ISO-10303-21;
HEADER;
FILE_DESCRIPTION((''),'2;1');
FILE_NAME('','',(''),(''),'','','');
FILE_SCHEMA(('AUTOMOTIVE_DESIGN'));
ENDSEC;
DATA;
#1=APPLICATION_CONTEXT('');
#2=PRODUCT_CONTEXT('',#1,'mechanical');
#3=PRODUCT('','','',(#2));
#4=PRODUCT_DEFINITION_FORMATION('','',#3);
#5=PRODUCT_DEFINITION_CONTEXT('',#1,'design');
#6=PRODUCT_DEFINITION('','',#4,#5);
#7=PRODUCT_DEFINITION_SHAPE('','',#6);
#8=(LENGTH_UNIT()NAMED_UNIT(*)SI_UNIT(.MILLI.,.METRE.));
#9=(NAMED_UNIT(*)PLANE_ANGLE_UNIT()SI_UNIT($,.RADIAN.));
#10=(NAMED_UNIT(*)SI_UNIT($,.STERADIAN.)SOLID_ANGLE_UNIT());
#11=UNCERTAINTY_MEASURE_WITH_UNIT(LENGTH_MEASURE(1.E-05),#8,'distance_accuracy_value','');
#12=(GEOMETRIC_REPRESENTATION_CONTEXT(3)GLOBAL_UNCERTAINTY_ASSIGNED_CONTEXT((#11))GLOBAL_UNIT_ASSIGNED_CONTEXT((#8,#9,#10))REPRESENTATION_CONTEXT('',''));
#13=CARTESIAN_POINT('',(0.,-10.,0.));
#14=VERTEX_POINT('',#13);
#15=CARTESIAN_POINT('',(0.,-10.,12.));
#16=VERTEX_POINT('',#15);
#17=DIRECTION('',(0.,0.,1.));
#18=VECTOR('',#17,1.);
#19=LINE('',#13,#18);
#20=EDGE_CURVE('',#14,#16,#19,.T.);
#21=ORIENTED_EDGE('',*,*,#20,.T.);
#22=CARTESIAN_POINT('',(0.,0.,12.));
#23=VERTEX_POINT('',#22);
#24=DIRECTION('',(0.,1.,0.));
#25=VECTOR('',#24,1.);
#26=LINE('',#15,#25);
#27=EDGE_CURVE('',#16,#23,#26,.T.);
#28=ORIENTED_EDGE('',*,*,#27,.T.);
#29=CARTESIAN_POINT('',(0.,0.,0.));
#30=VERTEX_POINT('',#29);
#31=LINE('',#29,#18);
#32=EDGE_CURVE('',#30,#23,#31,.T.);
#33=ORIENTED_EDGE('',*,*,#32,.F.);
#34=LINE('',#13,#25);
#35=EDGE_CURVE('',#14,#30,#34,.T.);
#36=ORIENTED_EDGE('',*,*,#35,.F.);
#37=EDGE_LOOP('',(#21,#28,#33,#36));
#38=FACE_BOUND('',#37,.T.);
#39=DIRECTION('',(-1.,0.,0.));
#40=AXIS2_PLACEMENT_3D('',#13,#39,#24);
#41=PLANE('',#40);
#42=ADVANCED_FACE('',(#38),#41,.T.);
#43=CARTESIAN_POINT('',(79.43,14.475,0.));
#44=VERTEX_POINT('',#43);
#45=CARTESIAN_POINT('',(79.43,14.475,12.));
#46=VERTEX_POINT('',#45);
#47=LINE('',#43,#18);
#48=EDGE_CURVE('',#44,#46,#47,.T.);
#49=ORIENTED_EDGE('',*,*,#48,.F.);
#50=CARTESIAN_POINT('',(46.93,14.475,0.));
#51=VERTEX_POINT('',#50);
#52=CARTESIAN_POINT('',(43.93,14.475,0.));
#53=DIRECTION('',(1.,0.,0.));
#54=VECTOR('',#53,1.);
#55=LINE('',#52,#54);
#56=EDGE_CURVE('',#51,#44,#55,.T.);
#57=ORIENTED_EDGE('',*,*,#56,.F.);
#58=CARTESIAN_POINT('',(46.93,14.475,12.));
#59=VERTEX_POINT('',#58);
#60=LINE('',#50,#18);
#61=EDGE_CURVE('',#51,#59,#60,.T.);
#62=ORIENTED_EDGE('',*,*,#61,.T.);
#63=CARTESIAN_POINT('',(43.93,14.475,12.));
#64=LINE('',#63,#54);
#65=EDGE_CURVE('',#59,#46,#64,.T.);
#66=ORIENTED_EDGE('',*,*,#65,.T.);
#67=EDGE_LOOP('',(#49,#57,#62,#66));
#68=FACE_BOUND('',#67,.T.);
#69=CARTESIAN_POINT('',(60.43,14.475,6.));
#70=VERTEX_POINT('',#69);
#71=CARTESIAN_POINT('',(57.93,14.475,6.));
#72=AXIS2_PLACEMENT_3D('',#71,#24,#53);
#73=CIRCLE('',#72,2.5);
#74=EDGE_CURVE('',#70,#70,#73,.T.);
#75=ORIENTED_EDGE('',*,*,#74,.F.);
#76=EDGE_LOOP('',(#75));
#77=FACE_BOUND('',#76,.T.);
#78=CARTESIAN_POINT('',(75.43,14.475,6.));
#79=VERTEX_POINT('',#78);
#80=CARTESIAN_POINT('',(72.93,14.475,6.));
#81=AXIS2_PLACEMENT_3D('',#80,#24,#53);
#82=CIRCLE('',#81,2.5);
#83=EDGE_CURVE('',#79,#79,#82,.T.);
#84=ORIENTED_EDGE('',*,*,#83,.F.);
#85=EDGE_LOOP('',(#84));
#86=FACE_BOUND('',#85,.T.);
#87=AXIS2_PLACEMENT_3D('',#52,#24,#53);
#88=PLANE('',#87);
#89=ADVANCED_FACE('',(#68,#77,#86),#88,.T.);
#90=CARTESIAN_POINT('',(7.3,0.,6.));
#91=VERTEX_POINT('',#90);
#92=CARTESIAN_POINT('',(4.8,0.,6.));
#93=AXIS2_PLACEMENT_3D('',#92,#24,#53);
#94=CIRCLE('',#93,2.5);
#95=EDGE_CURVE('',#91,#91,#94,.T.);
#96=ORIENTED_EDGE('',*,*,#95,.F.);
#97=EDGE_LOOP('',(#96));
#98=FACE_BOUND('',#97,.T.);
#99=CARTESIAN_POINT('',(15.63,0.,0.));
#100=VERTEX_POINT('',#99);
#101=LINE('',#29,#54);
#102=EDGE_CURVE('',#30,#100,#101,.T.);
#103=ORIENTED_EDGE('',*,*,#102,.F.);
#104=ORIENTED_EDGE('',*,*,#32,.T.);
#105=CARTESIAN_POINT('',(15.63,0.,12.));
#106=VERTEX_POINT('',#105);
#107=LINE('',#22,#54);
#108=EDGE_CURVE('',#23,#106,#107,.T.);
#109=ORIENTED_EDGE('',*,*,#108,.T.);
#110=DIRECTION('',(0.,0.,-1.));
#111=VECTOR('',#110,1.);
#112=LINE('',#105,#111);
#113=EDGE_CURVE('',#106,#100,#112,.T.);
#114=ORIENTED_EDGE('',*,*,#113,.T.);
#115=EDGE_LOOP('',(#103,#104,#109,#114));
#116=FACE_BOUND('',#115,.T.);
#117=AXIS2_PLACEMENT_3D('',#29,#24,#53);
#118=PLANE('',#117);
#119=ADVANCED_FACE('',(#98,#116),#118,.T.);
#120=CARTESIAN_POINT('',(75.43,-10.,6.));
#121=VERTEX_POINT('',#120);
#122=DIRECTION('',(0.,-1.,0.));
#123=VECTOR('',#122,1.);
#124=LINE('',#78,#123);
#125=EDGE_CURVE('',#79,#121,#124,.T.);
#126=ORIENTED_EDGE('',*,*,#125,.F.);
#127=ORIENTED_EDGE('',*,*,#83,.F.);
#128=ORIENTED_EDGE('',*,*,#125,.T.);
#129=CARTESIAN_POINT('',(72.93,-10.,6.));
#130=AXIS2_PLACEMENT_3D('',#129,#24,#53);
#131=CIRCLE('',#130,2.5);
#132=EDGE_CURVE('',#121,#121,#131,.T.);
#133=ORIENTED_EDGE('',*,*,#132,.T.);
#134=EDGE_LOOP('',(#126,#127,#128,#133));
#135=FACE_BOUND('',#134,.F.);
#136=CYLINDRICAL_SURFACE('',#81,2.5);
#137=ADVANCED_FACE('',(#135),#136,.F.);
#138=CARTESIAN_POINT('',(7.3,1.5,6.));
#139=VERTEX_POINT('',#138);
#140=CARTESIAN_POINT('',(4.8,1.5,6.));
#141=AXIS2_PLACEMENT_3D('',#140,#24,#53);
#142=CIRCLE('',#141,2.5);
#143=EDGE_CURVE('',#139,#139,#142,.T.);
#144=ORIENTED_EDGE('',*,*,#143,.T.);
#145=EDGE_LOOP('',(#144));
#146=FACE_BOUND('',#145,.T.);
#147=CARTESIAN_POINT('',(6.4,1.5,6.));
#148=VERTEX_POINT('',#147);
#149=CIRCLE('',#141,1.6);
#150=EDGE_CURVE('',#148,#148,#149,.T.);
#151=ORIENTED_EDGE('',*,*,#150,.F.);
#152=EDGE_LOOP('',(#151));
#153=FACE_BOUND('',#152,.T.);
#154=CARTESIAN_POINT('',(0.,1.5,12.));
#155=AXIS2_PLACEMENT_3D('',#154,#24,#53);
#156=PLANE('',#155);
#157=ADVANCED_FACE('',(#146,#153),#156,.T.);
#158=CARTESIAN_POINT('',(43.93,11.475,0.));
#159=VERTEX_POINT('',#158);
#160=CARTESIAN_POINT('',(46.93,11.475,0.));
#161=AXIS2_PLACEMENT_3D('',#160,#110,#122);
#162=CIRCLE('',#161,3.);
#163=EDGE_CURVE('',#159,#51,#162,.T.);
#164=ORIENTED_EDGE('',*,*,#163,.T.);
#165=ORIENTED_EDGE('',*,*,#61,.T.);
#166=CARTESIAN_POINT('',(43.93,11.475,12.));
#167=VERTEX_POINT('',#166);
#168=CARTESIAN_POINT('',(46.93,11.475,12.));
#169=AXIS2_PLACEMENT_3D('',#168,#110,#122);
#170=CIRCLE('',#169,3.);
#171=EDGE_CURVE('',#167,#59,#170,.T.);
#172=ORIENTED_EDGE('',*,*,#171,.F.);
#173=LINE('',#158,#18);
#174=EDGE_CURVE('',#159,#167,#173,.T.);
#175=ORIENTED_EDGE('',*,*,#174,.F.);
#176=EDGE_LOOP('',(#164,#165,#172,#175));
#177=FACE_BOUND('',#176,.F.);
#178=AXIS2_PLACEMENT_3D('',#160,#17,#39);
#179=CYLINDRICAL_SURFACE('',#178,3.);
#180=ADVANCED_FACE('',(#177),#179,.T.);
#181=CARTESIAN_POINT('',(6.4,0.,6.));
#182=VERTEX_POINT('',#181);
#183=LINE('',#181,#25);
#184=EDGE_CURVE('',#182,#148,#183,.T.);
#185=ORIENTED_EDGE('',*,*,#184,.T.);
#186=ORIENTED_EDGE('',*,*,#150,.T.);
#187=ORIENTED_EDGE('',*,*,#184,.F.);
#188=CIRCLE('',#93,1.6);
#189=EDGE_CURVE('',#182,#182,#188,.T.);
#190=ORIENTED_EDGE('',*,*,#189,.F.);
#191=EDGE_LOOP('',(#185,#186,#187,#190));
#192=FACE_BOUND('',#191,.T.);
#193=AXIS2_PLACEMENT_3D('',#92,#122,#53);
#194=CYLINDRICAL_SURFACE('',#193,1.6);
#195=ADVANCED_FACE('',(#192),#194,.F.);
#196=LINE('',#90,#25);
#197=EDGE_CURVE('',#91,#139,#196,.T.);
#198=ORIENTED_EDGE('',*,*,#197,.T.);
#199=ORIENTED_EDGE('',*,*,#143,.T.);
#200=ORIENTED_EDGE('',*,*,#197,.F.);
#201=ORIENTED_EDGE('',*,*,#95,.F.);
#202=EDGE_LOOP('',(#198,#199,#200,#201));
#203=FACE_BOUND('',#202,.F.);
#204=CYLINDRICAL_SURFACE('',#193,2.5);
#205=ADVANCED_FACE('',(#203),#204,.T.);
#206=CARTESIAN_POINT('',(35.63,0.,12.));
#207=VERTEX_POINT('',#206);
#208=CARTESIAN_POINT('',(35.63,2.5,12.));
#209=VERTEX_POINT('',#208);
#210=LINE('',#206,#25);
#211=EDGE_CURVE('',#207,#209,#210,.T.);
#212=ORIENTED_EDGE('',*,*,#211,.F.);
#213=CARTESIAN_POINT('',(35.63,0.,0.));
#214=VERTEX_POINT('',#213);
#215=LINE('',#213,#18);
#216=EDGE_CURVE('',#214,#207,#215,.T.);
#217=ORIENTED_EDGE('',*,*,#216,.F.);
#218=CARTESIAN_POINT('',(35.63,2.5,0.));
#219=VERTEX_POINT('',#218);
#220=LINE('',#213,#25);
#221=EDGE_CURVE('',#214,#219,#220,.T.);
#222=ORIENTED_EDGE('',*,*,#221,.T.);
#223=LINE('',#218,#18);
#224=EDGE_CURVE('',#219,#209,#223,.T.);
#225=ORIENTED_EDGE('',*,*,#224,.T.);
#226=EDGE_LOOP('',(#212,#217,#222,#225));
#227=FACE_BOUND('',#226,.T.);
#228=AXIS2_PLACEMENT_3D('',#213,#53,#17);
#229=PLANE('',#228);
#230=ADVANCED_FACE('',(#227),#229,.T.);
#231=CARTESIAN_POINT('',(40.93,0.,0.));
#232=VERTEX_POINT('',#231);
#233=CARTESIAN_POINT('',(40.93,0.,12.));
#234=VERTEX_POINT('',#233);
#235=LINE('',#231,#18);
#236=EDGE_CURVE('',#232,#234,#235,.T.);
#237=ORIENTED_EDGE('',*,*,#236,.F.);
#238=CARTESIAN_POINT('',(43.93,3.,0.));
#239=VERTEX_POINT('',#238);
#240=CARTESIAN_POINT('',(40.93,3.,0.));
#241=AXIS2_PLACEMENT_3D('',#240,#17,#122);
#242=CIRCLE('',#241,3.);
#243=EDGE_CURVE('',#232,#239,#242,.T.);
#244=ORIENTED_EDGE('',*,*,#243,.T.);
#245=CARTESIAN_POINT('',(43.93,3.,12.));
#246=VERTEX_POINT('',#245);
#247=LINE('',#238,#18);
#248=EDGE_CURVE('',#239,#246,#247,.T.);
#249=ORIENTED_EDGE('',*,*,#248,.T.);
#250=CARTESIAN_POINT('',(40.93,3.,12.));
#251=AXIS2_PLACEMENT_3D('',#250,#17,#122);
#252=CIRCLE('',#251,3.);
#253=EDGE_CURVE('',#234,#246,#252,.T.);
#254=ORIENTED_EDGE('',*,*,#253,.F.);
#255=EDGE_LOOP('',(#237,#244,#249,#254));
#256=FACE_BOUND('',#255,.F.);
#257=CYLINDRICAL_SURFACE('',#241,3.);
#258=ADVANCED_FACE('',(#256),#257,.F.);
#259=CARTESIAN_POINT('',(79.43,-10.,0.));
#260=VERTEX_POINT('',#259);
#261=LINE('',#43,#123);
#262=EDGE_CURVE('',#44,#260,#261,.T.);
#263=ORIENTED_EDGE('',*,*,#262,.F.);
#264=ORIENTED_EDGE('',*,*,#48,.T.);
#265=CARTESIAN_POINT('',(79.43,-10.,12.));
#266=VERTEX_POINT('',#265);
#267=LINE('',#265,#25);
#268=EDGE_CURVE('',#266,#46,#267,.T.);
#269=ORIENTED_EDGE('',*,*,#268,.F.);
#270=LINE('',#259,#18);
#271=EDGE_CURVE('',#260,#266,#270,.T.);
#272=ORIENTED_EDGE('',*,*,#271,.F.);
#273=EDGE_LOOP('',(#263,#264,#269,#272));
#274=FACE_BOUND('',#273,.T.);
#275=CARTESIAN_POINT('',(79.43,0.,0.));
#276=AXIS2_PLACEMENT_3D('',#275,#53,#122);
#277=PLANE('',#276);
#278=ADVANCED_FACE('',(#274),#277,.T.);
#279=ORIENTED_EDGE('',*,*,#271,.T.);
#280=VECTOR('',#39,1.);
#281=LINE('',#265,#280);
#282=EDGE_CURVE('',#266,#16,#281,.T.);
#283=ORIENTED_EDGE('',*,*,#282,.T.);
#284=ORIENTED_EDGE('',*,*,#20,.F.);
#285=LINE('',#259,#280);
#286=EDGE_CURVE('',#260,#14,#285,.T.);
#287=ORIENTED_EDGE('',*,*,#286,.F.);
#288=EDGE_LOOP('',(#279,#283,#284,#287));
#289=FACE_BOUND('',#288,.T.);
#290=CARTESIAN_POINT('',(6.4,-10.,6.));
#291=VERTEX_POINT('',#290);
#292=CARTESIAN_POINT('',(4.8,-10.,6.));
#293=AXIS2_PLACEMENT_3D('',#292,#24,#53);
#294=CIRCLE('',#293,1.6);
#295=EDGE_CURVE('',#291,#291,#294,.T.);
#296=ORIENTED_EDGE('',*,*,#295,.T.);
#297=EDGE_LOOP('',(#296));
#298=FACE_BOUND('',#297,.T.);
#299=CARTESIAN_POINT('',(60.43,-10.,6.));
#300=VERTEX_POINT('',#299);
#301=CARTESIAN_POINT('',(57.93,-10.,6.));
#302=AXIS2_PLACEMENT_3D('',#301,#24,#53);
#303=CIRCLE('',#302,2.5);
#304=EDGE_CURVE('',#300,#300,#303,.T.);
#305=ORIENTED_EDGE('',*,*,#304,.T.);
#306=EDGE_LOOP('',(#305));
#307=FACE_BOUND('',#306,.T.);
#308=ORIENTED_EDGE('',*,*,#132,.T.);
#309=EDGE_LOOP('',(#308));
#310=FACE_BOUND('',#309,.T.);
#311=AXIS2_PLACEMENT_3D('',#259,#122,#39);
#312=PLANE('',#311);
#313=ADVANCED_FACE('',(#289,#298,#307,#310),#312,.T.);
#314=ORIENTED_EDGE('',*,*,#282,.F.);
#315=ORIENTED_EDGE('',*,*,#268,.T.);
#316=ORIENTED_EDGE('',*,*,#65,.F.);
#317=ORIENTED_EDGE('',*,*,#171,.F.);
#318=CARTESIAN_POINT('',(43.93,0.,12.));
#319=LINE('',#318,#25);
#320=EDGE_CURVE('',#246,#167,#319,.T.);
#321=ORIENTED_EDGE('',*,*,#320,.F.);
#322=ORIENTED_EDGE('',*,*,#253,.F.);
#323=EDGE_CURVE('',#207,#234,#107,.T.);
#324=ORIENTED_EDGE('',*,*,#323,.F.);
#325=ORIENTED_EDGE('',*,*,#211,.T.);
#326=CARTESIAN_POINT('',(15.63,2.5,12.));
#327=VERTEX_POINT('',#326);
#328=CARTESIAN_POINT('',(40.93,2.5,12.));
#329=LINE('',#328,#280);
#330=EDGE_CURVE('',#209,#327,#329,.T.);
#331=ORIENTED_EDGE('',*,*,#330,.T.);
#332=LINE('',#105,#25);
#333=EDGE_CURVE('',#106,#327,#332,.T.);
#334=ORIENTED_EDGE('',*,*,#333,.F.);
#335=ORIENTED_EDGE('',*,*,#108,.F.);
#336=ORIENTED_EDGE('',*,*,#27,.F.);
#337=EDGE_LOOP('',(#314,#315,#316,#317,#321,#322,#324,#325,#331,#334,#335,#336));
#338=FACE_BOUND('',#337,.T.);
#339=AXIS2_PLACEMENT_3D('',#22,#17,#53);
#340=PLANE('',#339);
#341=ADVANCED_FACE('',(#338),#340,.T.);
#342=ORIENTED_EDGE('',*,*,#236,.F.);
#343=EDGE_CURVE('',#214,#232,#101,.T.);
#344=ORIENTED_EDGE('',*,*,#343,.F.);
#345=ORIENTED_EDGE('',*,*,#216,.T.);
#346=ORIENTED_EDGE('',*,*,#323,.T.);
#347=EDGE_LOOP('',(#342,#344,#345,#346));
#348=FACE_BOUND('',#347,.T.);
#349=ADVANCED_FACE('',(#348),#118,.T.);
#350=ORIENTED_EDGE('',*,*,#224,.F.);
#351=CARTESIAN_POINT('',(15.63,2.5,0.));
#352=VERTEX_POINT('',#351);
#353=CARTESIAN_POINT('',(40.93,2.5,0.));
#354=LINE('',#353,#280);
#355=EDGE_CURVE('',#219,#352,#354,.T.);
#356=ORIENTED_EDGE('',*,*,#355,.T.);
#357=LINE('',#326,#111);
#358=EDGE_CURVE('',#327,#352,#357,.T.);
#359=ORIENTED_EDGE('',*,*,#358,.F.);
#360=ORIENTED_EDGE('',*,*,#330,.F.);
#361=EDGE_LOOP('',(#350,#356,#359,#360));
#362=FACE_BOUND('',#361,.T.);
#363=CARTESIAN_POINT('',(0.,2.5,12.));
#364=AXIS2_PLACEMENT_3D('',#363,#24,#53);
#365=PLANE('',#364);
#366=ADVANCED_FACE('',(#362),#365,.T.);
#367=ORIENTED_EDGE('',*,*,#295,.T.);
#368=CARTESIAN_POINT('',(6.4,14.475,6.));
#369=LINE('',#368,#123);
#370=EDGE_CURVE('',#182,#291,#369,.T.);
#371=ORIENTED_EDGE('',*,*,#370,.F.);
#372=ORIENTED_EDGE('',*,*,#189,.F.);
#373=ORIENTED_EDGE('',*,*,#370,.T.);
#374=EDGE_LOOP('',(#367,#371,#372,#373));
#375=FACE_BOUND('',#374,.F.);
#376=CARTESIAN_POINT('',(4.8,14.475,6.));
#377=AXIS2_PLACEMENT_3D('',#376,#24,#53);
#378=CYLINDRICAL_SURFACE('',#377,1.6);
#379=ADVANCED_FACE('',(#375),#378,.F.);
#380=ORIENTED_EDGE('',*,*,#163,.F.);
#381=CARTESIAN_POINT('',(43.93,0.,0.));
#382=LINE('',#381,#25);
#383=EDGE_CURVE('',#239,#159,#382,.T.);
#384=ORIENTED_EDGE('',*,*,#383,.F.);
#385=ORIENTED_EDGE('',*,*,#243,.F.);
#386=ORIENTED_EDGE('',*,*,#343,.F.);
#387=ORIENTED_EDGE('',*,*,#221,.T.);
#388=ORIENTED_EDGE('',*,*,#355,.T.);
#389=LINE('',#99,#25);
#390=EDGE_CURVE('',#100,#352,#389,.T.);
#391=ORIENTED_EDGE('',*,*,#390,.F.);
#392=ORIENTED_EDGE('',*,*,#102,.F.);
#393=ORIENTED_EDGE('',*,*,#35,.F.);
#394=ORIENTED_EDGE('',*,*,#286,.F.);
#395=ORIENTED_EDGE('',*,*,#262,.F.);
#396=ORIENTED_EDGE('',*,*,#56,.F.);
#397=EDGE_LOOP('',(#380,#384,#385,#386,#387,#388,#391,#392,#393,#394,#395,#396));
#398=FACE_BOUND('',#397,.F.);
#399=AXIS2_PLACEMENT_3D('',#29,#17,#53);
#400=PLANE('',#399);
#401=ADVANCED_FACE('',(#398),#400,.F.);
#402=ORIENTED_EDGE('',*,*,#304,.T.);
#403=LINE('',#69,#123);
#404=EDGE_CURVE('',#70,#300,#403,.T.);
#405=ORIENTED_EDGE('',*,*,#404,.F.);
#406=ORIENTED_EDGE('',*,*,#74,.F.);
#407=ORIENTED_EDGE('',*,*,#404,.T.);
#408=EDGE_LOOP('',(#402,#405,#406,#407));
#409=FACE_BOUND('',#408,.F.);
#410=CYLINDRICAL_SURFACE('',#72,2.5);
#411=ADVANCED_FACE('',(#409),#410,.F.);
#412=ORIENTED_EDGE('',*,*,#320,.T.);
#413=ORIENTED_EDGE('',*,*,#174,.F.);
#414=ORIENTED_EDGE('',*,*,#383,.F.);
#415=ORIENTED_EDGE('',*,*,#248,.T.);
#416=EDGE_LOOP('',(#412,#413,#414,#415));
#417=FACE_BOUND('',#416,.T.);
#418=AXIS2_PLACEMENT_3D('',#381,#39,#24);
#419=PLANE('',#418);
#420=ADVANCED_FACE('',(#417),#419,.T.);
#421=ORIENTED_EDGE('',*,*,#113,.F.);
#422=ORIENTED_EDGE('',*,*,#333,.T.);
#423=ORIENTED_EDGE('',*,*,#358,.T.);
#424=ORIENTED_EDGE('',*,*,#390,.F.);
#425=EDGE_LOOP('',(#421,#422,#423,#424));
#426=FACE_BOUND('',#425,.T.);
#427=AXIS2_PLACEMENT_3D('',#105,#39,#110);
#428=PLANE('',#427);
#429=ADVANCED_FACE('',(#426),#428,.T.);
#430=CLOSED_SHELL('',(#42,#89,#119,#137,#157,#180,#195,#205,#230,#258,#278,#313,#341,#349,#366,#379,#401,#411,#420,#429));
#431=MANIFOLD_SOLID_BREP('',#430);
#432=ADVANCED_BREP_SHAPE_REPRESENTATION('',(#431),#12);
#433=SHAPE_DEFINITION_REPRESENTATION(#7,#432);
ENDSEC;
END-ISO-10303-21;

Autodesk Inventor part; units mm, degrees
ref_plane "YZ Plane" through (0, 0, 0) normal (1, 0, 0) x (0, 1, 0)
ref_plane "XZ Plane" through (0, 0, 0) normal (0, 1, 0) x (-1, 0, 0)
ref_plane "XY Plane" through (0, 0, 0) normal (0, 0, 1) x (1, 0, 0)
sketch "Sketch1" plane through (0, 0, 0) normal (0, 0, 1) x (1, 0, 0)
  line L0 (0, 0) -> (79.43, 0)
  line L1 (79.43, 0) -> (79.43, -10)
  line L2 (79.43, -10) -> (0, -10)
  line L3 (0, -10) -> (0, 0)
  line L4 (79.43, 0) -> (43.93, 0)
  line L5 (43.93, 0) -> (43.93, 14.475)
  line L6 (43.93, 14.475) -> (79.43, 14.475)
  line L7 (79.43, 14.475) -> (79.43, 0)
  line L8 (3.2, 0) -> (6.4, 0) construction
  line L9 (6.4, 0) -> (6.4, -10) construction
  line L10 (6.4, -10) -> (3.2, -10) construction
  line L11 (3.2, -10) -> (3.2, 0) construction
  line L12 (4.8, 0) -> (4.8, -10) construction
  line L13 (55.93, 14.475) -> (55.93, -10) construction
  line L14 (70.93, 14.475) -> (70.93, -10) construction
  line L15 (53.43, 14.475) -> (58.43, 14.475) construction
  line L16 (58.43, 14.475) -> (58.43, -10) construction
  line L17 (58.43, -10) -> (53.43, -10) construction
  line L18 (53.43, -10) -> (53.43, 14.475) construction
  line L19 (68.43, 14.475) -> (73.43, 14.475) construction
  line L20 (73.43, 14.475) -> (73.43, -10) construction
  line L21 (73.43, -10) -> (68.43, -10) construction
  line L22 (68.43, -10) -> (68.43, 14.475) construction
  dimension "d0" = 14.475
  dimension "d3" = 3.2
  dimension "d4" = 3.2
  dimension "d6" = 39.13
  dimension "d34" = 10
  dimension "d35" = 5
  dimension "d36" = 5
  dimension "d37" = 2.5
  dimension "d38" = 2.5
  dimension "d39" = 12
  dimension "d40" = 10
  dimension "d41" = 6
extrude "Extrusion1" add sketch "Sketch1" along normal blind 12
sketch "Sketch2" plane through (43.93, 14.475, 0) normal (0, 1, 0) x (1, 0, 0)
  line L0 (35.5, 0) -> (0, 0) projected
  line L1 (0, 0) -> (0, -12) projected
  line L2 (35.5, -12) -> (0, -12) projected
  line L3 (35.5, 0) -> (35.5, -12) projected
  line L4 (0, 0) -> (0, -12) projected
  line L5 (0, 0) -> (-43.93, 0) projected
  line L6 (-43.93, 0) -> (-43.93, -12) projected
  line L7 (0, -12) -> (-43.93, -12) projected
  circle A0 centre (-39.13, -6) radius 1.6
  circle A1 centre (29, -6) radius 2.5
  circle A2 centre (14, -6) radius 2.5
  dimension "d15" = 3.2
  dimension "d16" = 5
  dimension "d17" = 5
  dimension "d22" = 12
  dimension "d23" = 6
  dimension "d24" = 6
  dimension "d26" = 3.2
  dimension "d42" = 14
  dimension "d43" = 10
extrude "Extrusion2" cut sketch "Sketch2" against normal up to surface (24.475 mm away) contours A0 | A1 | A2
fillet "Fillet1" radius 3 2 edges at (43.93, 14.475, 6) (43.93, 0, 6)
sketch "Sketch3" plane through (0, 0, 12) normal (0, 1, 0) x (1, 0, 0)
  line L0 (40.93, 12) -> (40.93, 0) projected
  line L1 (40.93, 12) -> (0, 12) projected
  line L2 (0, 12) -> (0, 0) projected
  line L3 (40.93, 0) -> (0, 0) projected
  circle A0 centre (4.8, 6) radius 1.6 projected
  circle A1 centre (4.8, 6) radius 2.5
  circle A2 centre (4.8, 6) radius 1.6
  circle A3 centre (4.8, 6) radius 1.6 projected
  dimension "d31" = 5
extrude "Extrusion3" add sketch "Sketch3" along normal blind 1.5 contours A1
sketch "Sketch4" plane through (0, 0, 12) normal (0, 1, 0) x (1, 0, 0)
  line L0 (43.93, 0) -> (43.93, 12) projected
  line L1 (43.93, 12) -> (43.93, 0) projected
  circle A0 centre (4.8, 6) radius 2.5 projected
  line L2 (40.93, 12) -> (40.93, 0) projected
  line L3 (40.93, 12) -> (0, 12) projected
  line L4 (0, 12) -> (0, 0) projected
  line L5 (40.93, 0) -> (0, 0) projected
  line L6 (43.93, 12) -> (43.93, 0) projected
  line L7 (43.93, 0) -> (43.93, 12) projected
  line L8 (0, 12) -> (79.43, 12) projected
  line L9 (15.63, 12) -> (35.63, 12)
  line L10 (35.63, 12) -> (35.63, 0)
  line L11 (35.63, 0) -> (15.63, 0)
  line L12 (15.63, 0) -> (15.63, 12)
  dimension "d44" = 8.3
  dimension "d45" = 20
extrude "Extrusion4" add sketch "Sketch4" along normal blind 2.5 contours L10 L5 L12 L3
equation "\"d37\" = 0.5 * d35"
equation "\"d38\" = 0.5 * d36"
properties part number "BottomWheelHolder"
